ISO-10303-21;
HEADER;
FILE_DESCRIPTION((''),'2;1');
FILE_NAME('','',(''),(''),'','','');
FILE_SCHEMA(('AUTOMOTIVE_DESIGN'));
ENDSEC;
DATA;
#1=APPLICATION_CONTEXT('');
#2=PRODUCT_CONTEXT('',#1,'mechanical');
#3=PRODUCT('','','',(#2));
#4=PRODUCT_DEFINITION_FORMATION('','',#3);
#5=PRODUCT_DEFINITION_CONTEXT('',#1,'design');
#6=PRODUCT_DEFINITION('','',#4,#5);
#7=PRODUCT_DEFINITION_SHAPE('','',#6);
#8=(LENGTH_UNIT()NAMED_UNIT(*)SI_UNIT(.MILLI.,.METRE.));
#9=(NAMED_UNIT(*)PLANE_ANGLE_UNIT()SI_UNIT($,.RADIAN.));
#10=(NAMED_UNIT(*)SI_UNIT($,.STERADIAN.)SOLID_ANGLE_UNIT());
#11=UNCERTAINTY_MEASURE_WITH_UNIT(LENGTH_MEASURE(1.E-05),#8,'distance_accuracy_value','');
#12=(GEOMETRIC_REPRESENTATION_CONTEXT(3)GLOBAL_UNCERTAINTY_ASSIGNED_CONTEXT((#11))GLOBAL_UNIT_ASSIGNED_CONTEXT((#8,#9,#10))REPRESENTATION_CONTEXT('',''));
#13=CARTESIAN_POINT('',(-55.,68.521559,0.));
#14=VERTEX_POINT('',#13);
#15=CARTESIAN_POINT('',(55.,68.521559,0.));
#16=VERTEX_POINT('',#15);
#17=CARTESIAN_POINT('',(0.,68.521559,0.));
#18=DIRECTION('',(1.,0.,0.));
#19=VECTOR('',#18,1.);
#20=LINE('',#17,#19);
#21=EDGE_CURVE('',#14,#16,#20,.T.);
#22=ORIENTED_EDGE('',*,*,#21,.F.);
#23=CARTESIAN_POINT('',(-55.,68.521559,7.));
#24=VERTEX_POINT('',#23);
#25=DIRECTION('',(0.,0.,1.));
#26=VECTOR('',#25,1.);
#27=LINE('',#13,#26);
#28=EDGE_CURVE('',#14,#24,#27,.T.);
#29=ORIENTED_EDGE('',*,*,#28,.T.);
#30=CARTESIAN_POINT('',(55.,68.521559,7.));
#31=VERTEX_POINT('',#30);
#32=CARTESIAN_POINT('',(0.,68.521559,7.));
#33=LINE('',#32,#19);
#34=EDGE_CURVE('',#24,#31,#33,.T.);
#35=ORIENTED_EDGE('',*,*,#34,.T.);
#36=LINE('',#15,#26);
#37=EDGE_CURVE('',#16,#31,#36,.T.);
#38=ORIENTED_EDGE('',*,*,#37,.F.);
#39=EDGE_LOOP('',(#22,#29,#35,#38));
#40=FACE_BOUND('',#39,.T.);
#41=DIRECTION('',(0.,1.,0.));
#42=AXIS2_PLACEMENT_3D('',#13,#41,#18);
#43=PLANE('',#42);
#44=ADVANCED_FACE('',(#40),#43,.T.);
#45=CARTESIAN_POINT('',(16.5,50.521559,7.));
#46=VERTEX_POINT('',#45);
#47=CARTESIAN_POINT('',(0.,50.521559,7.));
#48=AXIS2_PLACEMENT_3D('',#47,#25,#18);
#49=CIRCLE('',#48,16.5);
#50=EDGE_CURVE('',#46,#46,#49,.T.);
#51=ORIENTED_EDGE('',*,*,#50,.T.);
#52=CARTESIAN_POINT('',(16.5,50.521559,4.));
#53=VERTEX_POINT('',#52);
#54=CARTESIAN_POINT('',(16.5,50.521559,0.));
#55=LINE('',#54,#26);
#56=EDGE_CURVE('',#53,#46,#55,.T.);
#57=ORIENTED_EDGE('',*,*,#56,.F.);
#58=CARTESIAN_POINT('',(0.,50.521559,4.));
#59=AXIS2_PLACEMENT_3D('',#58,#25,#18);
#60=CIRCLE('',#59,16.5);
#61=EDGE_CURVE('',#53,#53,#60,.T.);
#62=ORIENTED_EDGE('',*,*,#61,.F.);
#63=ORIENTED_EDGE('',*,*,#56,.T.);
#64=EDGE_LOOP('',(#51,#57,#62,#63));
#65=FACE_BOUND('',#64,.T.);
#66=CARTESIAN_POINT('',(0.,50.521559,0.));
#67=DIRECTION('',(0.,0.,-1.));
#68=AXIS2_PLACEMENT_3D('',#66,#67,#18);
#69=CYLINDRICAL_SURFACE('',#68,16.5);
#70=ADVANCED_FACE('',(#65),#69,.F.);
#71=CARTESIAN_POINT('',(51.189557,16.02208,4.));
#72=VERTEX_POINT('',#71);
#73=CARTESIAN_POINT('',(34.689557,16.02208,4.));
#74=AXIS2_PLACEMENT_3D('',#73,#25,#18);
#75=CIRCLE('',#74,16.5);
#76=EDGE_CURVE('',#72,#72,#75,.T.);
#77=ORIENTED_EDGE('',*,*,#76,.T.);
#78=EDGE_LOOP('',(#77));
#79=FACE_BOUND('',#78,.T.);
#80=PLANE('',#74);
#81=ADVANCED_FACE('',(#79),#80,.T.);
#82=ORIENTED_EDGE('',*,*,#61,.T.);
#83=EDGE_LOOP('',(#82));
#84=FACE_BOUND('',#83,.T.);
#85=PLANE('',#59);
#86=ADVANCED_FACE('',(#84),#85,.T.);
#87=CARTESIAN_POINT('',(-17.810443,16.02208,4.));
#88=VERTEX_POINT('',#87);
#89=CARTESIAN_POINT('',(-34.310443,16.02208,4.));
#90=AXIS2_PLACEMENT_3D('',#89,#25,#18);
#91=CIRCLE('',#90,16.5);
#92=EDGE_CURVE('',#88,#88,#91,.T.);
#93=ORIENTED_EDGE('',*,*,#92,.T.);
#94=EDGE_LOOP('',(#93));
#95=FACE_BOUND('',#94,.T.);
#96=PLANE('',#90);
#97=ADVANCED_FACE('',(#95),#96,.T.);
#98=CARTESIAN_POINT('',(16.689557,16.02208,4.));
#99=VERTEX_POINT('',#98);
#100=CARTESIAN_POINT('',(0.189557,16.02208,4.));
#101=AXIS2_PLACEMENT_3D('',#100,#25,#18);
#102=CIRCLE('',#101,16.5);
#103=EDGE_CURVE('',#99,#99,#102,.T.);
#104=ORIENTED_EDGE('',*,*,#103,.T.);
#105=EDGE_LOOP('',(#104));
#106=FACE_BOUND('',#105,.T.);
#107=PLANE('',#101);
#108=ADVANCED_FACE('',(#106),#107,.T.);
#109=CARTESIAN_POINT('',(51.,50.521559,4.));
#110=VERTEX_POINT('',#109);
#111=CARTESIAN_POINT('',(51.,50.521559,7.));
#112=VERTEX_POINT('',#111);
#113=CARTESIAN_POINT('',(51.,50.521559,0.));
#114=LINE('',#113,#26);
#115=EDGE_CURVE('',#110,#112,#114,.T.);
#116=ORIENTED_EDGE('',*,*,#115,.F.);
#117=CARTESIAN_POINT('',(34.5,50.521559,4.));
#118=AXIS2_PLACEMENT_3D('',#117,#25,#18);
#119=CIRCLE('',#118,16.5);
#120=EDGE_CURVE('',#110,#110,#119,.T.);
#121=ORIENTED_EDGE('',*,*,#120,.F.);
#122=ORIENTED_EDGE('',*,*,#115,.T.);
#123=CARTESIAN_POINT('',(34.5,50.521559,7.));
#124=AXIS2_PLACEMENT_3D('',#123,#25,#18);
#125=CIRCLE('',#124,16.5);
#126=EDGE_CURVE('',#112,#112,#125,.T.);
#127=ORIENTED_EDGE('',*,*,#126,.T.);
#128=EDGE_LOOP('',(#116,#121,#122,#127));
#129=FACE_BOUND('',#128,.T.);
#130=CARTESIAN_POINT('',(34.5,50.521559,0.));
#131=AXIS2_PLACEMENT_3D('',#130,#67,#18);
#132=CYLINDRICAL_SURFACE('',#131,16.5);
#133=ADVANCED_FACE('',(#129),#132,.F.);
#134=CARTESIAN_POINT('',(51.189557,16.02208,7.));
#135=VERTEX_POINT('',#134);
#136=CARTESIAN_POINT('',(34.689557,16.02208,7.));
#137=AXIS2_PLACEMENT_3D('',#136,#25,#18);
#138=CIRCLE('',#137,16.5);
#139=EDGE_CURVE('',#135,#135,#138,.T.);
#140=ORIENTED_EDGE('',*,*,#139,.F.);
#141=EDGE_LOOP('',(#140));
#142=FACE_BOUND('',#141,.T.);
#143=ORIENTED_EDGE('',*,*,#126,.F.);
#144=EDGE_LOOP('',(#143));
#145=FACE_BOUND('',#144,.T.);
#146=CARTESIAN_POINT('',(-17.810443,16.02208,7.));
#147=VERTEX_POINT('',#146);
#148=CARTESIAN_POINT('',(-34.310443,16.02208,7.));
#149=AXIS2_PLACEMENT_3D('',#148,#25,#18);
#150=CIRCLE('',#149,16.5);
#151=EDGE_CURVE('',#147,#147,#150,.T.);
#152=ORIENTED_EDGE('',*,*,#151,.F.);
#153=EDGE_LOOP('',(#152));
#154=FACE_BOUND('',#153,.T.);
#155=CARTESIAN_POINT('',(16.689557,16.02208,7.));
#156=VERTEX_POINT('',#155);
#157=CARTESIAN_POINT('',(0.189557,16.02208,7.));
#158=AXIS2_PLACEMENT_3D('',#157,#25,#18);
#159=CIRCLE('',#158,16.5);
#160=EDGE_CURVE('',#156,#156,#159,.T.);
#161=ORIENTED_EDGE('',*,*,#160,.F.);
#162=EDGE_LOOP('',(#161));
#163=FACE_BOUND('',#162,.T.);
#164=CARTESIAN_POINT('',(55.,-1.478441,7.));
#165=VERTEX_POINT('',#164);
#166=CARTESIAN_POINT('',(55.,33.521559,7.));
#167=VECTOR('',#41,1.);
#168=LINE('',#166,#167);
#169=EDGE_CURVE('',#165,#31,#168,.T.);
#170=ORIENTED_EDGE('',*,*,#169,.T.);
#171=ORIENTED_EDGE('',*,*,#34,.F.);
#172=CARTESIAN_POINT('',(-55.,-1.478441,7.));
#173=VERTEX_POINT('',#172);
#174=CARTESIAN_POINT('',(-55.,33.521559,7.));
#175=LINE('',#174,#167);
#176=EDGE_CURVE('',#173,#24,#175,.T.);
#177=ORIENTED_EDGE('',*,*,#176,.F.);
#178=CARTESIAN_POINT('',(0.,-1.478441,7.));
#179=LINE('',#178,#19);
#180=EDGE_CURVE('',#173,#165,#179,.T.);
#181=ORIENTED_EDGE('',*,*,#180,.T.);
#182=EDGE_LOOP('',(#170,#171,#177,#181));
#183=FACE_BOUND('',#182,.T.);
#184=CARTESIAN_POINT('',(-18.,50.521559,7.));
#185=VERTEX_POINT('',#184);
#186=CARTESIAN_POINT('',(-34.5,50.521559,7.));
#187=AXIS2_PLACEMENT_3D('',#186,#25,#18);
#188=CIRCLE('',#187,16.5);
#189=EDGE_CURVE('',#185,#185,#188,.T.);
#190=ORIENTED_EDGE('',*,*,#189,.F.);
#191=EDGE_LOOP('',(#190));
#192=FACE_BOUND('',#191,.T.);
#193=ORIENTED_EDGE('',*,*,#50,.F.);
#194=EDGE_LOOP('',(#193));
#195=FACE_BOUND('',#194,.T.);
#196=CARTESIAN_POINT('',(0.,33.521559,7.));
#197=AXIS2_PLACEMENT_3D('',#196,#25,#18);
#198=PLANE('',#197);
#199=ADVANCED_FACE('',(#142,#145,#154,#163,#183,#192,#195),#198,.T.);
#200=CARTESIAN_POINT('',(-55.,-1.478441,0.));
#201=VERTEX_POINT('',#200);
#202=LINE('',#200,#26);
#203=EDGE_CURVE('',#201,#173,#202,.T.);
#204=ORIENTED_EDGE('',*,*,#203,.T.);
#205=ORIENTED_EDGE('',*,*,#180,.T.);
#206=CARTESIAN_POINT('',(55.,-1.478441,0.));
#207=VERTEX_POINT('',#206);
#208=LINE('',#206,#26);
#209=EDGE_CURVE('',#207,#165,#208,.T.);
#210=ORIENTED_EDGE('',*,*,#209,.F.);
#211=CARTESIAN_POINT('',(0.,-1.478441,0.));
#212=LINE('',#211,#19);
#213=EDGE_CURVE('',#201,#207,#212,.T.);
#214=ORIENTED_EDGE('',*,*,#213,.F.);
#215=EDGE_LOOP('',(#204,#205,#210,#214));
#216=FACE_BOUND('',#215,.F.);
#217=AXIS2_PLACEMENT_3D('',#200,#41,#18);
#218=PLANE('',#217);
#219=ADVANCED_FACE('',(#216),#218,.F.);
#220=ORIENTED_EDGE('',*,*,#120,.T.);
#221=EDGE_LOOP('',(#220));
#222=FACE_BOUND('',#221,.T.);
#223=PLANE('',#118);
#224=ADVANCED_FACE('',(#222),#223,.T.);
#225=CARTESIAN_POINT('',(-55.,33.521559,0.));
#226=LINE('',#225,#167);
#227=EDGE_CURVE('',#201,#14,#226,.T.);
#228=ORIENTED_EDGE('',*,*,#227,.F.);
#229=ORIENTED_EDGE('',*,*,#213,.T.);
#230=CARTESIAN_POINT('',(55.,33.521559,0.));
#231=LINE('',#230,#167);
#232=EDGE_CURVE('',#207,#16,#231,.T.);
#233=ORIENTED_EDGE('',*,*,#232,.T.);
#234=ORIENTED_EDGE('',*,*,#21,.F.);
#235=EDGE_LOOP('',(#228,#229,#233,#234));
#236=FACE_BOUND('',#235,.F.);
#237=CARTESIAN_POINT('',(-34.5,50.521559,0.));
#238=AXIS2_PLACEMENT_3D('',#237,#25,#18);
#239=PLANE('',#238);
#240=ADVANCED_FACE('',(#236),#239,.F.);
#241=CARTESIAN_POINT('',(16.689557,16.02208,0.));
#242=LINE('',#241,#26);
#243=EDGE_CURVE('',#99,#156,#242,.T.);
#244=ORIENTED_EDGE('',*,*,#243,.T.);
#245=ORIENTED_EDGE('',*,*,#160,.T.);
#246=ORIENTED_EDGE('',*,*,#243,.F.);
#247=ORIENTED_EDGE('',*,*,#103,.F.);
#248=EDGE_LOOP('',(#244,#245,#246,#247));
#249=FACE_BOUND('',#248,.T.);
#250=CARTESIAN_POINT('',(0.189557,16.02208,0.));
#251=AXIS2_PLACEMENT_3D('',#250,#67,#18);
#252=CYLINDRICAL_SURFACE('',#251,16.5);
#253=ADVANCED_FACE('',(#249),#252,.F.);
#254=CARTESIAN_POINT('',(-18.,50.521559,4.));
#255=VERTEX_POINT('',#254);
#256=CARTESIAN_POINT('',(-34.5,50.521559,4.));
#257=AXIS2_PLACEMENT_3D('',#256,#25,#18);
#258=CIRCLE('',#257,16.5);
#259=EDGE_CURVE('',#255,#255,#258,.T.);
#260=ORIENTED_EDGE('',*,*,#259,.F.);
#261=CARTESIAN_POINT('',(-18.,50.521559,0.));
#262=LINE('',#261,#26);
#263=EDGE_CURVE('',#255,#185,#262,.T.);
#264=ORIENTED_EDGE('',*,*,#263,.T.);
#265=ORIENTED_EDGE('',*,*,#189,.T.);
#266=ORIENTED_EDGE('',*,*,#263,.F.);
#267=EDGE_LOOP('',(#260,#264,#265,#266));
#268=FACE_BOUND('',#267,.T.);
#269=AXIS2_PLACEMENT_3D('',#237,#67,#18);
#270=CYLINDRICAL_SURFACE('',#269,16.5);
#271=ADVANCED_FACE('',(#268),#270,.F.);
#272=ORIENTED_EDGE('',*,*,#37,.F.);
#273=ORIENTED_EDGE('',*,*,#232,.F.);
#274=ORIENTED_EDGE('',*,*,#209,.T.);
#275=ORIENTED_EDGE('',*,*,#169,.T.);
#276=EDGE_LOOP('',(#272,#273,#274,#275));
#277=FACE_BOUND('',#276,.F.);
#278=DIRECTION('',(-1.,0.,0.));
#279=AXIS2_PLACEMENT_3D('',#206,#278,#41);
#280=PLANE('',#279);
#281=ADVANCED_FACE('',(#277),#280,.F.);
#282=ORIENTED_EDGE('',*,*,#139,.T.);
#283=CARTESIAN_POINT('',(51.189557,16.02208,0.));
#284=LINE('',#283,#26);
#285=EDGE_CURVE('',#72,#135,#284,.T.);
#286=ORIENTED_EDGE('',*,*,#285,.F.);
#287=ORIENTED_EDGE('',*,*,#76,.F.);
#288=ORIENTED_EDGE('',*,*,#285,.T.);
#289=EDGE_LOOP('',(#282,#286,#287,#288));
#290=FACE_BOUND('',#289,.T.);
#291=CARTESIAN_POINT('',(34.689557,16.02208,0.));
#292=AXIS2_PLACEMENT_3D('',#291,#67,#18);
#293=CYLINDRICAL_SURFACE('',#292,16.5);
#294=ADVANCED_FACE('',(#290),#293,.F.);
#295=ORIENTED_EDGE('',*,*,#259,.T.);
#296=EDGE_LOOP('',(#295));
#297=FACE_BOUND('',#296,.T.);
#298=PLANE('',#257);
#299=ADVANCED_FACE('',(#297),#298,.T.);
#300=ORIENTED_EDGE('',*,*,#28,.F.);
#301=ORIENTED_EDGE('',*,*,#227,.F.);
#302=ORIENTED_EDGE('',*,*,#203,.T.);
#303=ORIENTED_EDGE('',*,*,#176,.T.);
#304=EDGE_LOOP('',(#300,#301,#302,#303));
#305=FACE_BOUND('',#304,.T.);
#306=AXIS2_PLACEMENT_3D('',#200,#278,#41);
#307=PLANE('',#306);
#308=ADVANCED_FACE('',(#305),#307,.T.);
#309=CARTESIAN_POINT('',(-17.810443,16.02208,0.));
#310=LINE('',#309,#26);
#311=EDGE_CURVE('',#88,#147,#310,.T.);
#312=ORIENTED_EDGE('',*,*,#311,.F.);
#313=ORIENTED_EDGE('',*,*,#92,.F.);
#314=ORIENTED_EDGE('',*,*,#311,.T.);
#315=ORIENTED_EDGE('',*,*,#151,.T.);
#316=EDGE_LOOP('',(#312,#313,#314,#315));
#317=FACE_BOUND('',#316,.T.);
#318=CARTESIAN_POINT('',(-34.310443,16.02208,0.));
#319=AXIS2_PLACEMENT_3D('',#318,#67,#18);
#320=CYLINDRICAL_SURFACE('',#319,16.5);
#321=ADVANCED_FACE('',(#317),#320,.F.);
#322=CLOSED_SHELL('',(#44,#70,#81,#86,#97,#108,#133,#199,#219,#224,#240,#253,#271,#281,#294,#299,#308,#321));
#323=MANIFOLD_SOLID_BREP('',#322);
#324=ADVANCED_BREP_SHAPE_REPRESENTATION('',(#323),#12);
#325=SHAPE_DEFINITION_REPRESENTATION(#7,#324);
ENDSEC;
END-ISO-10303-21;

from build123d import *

# Parameters (mm, degrees)
F0_W     = 110
F0_H     = 70
F0_R     = 16.5
F1_DEPTH = 7
F2_DEPTH = 4


with BuildPart() as f1:
    # F0 (on Top) → F1 (new body)
    with BuildSketch(Plane.XY):
        with Locations((0, 33.521559)):
            Rectangle(F0_W, F0_H)
        with Locations((-34.310443, 16.02208)):
            Circle(F0_R, mode=Mode.SUBTRACT)
        with Locations((0.189557, 16.02208)):
            Circle(F0_R, mode=Mode.SUBTRACT)
        with Locations((34.689557, 16.02208)):
            Circle(F0_R, mode=Mode.SUBTRACT)
        with Locations((-34.5, 50.521559)):
            Circle(F0_R, mode=Mode.SUBTRACT)
        with Locations((0, 50.521559)):
            Circle(F0_R, mode=Mode.SUBTRACT)
        with Locations((34.5, 50.521559)):
            Circle(F0_R, mode=Mode.SUBTRACT)
    extrude(amount=F1_DEPTH)

    # F0 (on Top) → F2 (join)
    with BuildSketch(Plane.XY):
        with Locations((-34.5, 50.521559)):
            Circle(F0_R)
        with Locations((0, 50.521559)):
            Circle(F0_R)
        with Locations((34.5, 50.521559)):
            Circle(F0_R)
        with Locations((34.689557, 16.02208)):
            Circle(F0_R)
        with Locations((0.189557, 16.02208)):
            Circle(F0_R)
        with Locations((-34.310443, 16.02208)):
            Circle(F0_R)
    extrude(amount=F2_DEPTH)


solid = f1.part
